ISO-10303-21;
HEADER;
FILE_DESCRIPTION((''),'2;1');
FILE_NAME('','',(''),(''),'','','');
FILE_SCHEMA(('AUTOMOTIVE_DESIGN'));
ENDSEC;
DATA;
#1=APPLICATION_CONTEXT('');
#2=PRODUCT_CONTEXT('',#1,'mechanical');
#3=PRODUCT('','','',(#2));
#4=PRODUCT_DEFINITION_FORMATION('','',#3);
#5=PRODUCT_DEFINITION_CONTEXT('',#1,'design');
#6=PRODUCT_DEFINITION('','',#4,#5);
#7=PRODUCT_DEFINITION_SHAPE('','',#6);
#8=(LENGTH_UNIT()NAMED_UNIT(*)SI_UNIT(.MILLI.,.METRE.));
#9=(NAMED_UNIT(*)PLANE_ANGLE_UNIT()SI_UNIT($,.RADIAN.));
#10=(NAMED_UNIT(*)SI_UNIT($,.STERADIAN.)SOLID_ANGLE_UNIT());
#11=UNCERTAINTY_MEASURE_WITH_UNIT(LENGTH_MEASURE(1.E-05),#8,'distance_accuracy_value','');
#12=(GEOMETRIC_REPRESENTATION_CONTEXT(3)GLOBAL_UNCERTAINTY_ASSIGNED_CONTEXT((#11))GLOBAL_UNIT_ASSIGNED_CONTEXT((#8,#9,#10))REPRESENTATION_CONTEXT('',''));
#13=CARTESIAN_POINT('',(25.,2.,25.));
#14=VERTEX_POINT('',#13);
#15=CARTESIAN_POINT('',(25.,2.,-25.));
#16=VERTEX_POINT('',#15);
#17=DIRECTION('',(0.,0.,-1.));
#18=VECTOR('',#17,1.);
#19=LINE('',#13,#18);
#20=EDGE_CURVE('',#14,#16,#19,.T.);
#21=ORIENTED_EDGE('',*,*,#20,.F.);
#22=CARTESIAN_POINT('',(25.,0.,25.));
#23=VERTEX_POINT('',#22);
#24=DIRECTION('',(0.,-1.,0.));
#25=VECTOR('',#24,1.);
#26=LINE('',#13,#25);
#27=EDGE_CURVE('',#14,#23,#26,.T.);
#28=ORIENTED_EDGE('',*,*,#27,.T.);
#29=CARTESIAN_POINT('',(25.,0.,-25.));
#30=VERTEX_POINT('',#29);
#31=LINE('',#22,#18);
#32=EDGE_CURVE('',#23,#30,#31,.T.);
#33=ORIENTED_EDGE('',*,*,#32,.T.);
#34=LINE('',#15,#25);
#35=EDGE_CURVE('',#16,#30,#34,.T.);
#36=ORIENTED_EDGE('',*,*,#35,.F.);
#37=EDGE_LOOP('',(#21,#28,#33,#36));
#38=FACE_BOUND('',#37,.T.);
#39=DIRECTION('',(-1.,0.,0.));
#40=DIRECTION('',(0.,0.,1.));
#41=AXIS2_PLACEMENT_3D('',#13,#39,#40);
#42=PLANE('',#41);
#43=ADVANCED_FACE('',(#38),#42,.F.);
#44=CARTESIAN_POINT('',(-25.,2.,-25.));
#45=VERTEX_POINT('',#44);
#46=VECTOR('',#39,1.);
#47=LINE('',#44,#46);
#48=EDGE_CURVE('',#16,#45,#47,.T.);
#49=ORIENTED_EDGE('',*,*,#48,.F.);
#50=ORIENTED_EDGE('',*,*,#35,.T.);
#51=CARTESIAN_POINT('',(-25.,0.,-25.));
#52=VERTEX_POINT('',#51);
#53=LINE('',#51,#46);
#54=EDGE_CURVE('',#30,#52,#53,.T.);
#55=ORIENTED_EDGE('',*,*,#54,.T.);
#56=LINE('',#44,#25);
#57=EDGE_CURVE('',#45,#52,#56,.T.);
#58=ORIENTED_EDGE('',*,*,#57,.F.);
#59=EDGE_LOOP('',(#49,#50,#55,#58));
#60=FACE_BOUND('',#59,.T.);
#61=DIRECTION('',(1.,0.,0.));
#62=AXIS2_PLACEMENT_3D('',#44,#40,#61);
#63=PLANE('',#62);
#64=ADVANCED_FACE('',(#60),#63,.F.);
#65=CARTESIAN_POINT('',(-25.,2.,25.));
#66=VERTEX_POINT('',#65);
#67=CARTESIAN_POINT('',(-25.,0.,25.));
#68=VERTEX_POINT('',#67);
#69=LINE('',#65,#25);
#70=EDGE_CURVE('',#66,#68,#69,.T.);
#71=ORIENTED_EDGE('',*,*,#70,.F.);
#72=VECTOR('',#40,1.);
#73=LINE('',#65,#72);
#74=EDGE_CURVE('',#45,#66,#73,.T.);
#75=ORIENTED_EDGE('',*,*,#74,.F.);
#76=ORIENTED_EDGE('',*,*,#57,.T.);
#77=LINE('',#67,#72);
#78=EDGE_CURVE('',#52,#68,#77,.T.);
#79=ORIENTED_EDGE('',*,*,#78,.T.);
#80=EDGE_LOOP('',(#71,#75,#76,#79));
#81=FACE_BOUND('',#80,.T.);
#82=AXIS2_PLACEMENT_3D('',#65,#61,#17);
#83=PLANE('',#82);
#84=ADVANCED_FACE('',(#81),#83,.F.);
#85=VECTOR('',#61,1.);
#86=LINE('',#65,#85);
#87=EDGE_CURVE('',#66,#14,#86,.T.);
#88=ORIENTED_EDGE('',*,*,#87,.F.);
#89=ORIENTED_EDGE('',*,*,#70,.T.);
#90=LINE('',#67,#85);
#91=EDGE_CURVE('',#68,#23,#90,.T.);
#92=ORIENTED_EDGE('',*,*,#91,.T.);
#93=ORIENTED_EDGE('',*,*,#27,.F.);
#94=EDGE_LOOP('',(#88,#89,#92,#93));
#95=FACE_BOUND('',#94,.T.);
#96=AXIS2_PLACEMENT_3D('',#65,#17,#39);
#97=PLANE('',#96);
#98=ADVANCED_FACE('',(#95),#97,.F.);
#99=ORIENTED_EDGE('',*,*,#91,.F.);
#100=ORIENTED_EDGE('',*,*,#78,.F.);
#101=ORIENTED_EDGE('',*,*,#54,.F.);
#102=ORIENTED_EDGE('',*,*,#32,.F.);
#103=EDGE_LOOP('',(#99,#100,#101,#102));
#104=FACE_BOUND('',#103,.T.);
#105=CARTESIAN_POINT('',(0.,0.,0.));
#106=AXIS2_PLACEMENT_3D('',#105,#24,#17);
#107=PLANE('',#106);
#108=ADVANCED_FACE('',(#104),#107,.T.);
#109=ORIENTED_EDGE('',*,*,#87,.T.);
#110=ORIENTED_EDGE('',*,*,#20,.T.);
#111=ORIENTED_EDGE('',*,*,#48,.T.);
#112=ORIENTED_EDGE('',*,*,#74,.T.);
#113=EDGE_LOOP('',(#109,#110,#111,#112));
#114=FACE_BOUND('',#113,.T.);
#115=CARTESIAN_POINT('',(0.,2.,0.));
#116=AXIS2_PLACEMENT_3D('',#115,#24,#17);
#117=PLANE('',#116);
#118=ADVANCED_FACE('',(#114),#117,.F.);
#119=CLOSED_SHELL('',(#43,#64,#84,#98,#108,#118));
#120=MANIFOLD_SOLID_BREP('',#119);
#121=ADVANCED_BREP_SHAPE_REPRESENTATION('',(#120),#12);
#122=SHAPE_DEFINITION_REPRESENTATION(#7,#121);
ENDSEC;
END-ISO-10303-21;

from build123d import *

# Parameters (mm, degrees)
SKETCH_1_W      = 50
SKETCH_1_H      = 50
EXTRUDE_1_DEPTH = 2


with BuildPart() as part:
    # 草图1 → 凸台-拉伸1 (new body)
    with BuildSketch(Plane(origin=(0, 0, 0), x_dir=(1, 0, 0), z_dir=(0, 1, 0))):
        Rectangle(SKETCH_1_W, SKETCH_1_H)
    extrude(amount=EXTRUDE_1_DEPTH)


solid = part.part
